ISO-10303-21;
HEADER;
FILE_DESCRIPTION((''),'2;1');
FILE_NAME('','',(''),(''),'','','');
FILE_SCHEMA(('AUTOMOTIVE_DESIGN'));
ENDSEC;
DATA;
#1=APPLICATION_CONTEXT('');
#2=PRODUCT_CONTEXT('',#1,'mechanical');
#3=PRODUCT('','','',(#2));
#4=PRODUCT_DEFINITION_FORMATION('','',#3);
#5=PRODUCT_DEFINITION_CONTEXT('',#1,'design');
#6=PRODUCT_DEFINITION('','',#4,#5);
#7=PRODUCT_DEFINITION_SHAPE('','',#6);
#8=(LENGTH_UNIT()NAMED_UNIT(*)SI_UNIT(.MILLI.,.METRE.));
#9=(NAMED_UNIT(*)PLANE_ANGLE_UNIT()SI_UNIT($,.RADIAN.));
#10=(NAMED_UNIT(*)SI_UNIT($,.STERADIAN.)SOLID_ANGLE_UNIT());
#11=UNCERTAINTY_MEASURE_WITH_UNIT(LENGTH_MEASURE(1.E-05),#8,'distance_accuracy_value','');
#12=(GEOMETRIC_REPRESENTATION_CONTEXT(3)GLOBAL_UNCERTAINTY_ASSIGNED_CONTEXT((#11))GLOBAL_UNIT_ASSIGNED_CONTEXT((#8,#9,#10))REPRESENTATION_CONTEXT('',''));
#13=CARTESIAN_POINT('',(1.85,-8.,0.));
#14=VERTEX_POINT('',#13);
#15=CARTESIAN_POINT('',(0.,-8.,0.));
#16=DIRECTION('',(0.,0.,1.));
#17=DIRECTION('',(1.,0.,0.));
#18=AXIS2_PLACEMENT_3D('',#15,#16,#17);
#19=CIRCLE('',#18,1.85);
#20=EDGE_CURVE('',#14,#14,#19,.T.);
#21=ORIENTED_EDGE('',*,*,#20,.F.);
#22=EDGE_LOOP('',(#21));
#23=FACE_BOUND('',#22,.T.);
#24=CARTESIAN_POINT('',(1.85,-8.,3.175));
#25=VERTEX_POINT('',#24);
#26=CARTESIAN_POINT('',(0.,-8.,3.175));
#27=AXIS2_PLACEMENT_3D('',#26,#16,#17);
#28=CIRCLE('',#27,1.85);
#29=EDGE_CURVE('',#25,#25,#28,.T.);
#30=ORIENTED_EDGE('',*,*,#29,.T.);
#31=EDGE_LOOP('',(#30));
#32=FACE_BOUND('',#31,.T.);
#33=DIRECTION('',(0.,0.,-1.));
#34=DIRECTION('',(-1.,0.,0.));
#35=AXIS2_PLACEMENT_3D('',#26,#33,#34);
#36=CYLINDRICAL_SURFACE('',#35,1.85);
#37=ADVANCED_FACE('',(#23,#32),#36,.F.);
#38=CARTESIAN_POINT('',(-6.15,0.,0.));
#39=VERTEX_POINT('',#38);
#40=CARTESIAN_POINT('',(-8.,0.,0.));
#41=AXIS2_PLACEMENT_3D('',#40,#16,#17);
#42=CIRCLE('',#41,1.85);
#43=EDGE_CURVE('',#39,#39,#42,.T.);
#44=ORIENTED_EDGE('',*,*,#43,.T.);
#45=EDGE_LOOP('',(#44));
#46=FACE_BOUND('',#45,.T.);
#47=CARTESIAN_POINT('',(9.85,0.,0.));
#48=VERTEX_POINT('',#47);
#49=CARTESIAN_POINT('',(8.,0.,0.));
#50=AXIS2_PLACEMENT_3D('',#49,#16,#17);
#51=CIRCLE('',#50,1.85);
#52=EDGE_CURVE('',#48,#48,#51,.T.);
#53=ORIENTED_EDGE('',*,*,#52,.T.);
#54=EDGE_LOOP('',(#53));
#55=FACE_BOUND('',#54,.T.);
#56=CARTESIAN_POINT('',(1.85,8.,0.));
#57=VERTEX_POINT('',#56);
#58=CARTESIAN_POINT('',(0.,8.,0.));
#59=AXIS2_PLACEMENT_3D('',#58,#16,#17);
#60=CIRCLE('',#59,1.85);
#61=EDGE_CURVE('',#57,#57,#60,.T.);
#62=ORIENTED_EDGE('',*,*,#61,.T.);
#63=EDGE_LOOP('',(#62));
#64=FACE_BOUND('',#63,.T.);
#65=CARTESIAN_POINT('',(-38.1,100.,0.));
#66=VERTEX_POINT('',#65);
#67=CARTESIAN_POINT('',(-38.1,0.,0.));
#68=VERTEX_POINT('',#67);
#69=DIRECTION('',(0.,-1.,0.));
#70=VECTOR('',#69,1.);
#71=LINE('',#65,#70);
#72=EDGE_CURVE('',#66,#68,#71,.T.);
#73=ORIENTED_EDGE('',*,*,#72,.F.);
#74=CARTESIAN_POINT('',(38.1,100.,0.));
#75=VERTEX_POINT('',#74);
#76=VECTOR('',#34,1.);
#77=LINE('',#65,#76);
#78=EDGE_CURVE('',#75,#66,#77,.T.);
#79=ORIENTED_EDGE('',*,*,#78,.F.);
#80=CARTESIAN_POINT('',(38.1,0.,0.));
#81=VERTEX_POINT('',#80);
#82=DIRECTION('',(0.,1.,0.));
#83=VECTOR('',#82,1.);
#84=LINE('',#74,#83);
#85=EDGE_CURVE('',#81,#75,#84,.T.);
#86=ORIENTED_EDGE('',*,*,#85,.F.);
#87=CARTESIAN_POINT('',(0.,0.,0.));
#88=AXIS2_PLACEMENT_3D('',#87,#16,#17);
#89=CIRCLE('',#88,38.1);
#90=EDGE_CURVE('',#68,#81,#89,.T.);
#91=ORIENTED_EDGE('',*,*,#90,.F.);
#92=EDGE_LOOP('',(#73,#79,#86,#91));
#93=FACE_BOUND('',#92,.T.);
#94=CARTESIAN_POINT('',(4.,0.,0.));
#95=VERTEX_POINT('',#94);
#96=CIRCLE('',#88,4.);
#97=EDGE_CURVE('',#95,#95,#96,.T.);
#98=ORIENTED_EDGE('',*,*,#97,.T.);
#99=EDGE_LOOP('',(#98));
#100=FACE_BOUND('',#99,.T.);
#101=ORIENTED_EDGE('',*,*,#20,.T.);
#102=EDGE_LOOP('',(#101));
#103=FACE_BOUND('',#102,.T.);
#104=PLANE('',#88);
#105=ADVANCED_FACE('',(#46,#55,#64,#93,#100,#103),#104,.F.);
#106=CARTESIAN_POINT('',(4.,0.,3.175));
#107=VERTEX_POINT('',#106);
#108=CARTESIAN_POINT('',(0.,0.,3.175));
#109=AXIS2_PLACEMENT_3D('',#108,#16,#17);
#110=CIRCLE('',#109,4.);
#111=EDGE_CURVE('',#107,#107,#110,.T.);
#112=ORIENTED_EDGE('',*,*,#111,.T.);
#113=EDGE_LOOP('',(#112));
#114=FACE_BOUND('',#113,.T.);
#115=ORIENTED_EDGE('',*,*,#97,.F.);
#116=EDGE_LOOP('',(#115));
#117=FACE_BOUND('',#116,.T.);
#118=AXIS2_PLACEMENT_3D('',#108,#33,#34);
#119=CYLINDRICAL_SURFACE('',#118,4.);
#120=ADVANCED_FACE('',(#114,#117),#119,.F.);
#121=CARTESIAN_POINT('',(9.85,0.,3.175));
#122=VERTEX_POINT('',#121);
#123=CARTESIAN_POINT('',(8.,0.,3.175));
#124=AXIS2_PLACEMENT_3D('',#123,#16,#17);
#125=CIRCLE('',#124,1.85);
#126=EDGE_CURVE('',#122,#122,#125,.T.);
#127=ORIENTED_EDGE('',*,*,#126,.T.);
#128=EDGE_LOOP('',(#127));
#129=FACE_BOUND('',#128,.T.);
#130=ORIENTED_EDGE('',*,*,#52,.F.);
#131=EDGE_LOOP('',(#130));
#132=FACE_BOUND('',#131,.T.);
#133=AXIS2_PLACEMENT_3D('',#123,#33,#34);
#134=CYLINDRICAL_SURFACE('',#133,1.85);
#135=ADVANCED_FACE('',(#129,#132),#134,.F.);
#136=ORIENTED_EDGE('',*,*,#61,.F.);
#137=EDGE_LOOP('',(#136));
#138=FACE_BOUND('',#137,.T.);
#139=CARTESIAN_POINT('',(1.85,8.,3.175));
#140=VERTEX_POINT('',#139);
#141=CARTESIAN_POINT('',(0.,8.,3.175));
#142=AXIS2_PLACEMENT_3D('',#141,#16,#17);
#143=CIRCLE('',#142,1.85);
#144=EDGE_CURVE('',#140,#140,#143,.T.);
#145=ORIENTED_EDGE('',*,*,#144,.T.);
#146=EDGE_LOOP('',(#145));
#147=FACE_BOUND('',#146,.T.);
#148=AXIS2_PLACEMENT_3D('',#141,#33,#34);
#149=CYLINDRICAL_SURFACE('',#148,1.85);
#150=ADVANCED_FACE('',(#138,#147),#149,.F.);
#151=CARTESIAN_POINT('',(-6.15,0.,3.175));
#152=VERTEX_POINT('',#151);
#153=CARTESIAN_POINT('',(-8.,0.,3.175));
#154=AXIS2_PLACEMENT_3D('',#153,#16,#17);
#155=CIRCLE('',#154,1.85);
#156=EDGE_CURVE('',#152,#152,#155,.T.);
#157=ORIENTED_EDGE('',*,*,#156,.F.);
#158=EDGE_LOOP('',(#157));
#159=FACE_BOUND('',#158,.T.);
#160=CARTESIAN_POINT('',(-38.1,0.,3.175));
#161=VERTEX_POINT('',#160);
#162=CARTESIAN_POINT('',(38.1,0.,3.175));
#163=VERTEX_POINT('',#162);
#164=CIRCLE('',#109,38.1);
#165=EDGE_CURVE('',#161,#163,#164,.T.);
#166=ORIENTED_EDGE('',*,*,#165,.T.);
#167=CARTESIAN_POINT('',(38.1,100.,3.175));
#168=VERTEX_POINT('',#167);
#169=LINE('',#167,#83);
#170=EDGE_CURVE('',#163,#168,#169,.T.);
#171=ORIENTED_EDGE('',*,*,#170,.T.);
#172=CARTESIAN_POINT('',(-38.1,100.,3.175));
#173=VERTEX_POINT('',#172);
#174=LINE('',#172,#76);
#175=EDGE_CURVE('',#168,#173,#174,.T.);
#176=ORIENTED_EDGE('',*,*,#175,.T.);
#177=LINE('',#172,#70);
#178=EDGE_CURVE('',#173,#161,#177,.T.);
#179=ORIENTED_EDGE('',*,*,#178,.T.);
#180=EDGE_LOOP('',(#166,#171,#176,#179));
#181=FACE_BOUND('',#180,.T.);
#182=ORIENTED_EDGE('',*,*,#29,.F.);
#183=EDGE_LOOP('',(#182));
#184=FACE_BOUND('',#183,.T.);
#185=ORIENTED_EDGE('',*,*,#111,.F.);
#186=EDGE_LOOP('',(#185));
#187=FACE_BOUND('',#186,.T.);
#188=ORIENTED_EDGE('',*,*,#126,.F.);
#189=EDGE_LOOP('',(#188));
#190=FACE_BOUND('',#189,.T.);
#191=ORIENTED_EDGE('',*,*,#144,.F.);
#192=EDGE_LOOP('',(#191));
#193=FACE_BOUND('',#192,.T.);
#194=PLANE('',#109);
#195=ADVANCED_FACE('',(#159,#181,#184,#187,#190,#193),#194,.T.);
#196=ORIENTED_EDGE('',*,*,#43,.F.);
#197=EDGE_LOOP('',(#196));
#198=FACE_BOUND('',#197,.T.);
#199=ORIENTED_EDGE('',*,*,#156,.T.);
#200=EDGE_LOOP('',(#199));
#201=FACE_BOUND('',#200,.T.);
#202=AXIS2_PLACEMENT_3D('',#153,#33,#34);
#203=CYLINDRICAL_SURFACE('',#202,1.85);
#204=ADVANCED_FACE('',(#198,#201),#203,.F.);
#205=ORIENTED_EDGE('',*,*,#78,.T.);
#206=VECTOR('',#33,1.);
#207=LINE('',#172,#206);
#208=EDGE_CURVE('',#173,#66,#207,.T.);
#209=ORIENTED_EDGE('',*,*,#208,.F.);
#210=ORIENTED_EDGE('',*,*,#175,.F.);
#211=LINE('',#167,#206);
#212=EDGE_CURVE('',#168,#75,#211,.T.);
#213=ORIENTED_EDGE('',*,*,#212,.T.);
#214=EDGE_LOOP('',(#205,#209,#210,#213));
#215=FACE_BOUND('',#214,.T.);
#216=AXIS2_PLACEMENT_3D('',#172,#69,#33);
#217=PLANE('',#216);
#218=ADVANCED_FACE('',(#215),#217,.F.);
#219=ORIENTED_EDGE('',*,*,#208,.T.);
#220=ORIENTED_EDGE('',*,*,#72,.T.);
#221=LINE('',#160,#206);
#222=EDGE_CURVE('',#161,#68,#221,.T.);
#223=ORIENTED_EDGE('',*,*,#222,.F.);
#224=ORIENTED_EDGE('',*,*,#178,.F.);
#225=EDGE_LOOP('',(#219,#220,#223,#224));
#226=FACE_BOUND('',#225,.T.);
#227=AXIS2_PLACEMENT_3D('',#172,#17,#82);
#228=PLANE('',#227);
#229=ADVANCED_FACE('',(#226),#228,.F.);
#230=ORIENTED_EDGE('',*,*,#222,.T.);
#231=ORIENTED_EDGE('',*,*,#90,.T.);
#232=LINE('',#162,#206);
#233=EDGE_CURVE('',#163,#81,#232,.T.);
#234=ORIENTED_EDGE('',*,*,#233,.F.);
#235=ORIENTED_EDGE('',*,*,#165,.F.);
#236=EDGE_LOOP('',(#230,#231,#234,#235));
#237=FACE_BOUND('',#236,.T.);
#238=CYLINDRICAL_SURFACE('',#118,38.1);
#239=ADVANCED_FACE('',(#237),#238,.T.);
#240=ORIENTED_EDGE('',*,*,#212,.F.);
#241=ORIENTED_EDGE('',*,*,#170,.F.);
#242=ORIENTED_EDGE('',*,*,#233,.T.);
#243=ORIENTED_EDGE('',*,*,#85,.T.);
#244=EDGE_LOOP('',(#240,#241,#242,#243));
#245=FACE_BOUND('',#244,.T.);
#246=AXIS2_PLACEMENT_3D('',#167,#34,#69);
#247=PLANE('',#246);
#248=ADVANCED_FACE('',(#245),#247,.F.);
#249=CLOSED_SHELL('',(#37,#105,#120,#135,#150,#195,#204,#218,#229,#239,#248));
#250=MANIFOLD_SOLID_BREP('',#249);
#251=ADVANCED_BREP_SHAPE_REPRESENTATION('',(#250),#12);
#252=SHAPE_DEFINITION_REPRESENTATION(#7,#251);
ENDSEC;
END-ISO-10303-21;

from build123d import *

# Parameters (mm, degrees)
SKETCH1_R           = 4
SKETCH1_R_2         = 1.85
BOSS_EXTRUDE1_DEPTH = 3.175


with BuildPart() as part:
    # Sketch1 → Boss-Extrude1 (new body)
    with BuildSketch(Plane.XY):
        with BuildLine():
            Line((-38.1, 100), (38.1, 100))
            Line((38.1, 100), (38.1, 0))
            ThreePointArc((38.1, 0), (0, -38.1), (-38.1, 0))
            Line((-38.1, 0), (-38.1, 100))
        make_face()
        Circle(SKETCH1_R, mode=Mode.SUBTRACT)
        with Locations((-8, 0)):
            Circle(SKETCH1_R_2, mode=Mode.SUBTRACT)
        with Locations((0, -8)):
            Circle(SKETCH1_R_2, mode=Mode.SUBTRACT)
        with Locations((0, 8)):
            Circle(SKETCH1_R_2, mode=Mode.SUBTRACT)
        with Locations((8, 0)):
            Circle(SKETCH1_R_2, mode=Mode.SUBTRACT)
    extrude(amount=BOSS_EXTRUDE1_DEPTH)


solid = part.part
